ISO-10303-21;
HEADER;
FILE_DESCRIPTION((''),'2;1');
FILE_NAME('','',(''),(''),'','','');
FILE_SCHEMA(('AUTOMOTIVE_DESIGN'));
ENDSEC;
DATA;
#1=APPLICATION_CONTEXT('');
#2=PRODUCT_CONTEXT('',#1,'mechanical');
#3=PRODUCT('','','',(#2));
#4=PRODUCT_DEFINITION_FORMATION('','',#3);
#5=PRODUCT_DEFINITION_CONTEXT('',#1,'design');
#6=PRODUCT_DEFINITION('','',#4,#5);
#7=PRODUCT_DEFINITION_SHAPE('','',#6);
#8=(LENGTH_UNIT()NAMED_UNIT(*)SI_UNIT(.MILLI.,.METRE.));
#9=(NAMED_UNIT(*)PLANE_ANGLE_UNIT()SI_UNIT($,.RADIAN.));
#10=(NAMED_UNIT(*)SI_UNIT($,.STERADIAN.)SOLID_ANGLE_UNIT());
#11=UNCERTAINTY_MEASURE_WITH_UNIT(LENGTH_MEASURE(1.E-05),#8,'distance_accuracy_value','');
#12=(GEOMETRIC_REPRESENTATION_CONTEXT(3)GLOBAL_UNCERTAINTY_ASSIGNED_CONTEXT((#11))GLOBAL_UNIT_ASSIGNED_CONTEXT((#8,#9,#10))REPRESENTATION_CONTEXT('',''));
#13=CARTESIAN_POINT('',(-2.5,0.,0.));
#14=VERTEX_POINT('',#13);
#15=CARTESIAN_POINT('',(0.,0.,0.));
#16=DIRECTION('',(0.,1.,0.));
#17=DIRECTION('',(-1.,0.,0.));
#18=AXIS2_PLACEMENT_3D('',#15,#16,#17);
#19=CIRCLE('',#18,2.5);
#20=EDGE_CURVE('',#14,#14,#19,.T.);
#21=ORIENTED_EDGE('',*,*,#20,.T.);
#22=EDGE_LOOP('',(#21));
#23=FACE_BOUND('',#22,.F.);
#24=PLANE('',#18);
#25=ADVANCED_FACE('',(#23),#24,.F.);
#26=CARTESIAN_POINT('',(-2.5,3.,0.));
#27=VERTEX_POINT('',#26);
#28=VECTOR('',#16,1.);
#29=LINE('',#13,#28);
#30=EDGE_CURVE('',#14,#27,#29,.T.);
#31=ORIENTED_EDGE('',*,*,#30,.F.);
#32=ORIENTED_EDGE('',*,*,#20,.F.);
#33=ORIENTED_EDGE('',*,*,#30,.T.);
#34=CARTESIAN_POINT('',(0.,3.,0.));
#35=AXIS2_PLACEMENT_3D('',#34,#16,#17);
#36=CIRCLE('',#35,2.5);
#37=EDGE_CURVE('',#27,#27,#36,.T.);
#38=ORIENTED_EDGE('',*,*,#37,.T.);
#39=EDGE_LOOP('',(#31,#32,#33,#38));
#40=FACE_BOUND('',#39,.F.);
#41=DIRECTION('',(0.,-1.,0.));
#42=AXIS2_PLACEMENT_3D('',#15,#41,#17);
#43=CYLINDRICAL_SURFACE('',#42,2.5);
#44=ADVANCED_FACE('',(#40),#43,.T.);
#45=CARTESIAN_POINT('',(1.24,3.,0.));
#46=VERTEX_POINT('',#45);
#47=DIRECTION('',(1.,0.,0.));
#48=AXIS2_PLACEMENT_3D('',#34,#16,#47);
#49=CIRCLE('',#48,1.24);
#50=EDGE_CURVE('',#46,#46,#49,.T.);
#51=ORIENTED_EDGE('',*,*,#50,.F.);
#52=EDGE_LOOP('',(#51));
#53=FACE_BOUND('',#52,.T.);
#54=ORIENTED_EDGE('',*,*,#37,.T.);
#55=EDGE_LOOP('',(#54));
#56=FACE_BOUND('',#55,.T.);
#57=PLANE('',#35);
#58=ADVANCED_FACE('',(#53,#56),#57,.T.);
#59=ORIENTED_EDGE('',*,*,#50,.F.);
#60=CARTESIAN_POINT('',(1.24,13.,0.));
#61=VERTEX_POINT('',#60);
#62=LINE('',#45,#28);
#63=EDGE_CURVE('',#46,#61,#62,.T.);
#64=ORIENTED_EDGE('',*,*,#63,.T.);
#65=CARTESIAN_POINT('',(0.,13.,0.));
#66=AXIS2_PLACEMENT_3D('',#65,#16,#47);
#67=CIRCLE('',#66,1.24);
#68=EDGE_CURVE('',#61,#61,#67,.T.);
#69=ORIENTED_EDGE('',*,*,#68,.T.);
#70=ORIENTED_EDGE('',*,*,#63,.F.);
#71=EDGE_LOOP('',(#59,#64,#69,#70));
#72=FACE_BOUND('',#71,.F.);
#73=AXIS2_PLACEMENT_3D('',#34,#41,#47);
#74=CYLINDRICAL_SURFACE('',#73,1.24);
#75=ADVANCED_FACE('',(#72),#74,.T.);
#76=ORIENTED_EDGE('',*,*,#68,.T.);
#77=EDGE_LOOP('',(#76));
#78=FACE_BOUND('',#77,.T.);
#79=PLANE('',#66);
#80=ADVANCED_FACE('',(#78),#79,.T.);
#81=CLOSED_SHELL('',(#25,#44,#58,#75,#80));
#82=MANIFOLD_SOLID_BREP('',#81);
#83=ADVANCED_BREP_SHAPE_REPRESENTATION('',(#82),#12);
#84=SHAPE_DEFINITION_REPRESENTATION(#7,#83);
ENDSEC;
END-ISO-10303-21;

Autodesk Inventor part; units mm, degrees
ref_plane "YZ Plane" through (0, 0, 0) normal (1, 0, 0) x (0, 1, 0)
ref_plane "XZ Plane" through (0, 0, 0) normal (0, 1, 0) x (-1, 0, 0)
ref_plane "XY Plane" through (0, 0, 0) normal (0, 0, 1) x (1, 0, 0)
sketch "Boceto1" plane through (0, 0, 0) normal (0, 1, 0) x (-1, 0, 0)
  circle A0 centre (0, 0) radius 2.5
  dimension "d0" = 5
extrude "Extrusión1" add sketch "Boceto1" along normal blind 3
sketch "Boceto2" plane through (0, 3, 0) normal (0, 1, 0) x (1, 0, 0)
  circle A0 centre (0, 0) radius 1.24
  dimension "d3" = 2.48
extrude "Extrusión2" add sketch "Boceto2" along normal blind 10
thread "Rosca1" size "5-40 UNC" class "2A" standard "ANSI Unified Screw Threads" full length
properties part number "Tornillo Engrane"
